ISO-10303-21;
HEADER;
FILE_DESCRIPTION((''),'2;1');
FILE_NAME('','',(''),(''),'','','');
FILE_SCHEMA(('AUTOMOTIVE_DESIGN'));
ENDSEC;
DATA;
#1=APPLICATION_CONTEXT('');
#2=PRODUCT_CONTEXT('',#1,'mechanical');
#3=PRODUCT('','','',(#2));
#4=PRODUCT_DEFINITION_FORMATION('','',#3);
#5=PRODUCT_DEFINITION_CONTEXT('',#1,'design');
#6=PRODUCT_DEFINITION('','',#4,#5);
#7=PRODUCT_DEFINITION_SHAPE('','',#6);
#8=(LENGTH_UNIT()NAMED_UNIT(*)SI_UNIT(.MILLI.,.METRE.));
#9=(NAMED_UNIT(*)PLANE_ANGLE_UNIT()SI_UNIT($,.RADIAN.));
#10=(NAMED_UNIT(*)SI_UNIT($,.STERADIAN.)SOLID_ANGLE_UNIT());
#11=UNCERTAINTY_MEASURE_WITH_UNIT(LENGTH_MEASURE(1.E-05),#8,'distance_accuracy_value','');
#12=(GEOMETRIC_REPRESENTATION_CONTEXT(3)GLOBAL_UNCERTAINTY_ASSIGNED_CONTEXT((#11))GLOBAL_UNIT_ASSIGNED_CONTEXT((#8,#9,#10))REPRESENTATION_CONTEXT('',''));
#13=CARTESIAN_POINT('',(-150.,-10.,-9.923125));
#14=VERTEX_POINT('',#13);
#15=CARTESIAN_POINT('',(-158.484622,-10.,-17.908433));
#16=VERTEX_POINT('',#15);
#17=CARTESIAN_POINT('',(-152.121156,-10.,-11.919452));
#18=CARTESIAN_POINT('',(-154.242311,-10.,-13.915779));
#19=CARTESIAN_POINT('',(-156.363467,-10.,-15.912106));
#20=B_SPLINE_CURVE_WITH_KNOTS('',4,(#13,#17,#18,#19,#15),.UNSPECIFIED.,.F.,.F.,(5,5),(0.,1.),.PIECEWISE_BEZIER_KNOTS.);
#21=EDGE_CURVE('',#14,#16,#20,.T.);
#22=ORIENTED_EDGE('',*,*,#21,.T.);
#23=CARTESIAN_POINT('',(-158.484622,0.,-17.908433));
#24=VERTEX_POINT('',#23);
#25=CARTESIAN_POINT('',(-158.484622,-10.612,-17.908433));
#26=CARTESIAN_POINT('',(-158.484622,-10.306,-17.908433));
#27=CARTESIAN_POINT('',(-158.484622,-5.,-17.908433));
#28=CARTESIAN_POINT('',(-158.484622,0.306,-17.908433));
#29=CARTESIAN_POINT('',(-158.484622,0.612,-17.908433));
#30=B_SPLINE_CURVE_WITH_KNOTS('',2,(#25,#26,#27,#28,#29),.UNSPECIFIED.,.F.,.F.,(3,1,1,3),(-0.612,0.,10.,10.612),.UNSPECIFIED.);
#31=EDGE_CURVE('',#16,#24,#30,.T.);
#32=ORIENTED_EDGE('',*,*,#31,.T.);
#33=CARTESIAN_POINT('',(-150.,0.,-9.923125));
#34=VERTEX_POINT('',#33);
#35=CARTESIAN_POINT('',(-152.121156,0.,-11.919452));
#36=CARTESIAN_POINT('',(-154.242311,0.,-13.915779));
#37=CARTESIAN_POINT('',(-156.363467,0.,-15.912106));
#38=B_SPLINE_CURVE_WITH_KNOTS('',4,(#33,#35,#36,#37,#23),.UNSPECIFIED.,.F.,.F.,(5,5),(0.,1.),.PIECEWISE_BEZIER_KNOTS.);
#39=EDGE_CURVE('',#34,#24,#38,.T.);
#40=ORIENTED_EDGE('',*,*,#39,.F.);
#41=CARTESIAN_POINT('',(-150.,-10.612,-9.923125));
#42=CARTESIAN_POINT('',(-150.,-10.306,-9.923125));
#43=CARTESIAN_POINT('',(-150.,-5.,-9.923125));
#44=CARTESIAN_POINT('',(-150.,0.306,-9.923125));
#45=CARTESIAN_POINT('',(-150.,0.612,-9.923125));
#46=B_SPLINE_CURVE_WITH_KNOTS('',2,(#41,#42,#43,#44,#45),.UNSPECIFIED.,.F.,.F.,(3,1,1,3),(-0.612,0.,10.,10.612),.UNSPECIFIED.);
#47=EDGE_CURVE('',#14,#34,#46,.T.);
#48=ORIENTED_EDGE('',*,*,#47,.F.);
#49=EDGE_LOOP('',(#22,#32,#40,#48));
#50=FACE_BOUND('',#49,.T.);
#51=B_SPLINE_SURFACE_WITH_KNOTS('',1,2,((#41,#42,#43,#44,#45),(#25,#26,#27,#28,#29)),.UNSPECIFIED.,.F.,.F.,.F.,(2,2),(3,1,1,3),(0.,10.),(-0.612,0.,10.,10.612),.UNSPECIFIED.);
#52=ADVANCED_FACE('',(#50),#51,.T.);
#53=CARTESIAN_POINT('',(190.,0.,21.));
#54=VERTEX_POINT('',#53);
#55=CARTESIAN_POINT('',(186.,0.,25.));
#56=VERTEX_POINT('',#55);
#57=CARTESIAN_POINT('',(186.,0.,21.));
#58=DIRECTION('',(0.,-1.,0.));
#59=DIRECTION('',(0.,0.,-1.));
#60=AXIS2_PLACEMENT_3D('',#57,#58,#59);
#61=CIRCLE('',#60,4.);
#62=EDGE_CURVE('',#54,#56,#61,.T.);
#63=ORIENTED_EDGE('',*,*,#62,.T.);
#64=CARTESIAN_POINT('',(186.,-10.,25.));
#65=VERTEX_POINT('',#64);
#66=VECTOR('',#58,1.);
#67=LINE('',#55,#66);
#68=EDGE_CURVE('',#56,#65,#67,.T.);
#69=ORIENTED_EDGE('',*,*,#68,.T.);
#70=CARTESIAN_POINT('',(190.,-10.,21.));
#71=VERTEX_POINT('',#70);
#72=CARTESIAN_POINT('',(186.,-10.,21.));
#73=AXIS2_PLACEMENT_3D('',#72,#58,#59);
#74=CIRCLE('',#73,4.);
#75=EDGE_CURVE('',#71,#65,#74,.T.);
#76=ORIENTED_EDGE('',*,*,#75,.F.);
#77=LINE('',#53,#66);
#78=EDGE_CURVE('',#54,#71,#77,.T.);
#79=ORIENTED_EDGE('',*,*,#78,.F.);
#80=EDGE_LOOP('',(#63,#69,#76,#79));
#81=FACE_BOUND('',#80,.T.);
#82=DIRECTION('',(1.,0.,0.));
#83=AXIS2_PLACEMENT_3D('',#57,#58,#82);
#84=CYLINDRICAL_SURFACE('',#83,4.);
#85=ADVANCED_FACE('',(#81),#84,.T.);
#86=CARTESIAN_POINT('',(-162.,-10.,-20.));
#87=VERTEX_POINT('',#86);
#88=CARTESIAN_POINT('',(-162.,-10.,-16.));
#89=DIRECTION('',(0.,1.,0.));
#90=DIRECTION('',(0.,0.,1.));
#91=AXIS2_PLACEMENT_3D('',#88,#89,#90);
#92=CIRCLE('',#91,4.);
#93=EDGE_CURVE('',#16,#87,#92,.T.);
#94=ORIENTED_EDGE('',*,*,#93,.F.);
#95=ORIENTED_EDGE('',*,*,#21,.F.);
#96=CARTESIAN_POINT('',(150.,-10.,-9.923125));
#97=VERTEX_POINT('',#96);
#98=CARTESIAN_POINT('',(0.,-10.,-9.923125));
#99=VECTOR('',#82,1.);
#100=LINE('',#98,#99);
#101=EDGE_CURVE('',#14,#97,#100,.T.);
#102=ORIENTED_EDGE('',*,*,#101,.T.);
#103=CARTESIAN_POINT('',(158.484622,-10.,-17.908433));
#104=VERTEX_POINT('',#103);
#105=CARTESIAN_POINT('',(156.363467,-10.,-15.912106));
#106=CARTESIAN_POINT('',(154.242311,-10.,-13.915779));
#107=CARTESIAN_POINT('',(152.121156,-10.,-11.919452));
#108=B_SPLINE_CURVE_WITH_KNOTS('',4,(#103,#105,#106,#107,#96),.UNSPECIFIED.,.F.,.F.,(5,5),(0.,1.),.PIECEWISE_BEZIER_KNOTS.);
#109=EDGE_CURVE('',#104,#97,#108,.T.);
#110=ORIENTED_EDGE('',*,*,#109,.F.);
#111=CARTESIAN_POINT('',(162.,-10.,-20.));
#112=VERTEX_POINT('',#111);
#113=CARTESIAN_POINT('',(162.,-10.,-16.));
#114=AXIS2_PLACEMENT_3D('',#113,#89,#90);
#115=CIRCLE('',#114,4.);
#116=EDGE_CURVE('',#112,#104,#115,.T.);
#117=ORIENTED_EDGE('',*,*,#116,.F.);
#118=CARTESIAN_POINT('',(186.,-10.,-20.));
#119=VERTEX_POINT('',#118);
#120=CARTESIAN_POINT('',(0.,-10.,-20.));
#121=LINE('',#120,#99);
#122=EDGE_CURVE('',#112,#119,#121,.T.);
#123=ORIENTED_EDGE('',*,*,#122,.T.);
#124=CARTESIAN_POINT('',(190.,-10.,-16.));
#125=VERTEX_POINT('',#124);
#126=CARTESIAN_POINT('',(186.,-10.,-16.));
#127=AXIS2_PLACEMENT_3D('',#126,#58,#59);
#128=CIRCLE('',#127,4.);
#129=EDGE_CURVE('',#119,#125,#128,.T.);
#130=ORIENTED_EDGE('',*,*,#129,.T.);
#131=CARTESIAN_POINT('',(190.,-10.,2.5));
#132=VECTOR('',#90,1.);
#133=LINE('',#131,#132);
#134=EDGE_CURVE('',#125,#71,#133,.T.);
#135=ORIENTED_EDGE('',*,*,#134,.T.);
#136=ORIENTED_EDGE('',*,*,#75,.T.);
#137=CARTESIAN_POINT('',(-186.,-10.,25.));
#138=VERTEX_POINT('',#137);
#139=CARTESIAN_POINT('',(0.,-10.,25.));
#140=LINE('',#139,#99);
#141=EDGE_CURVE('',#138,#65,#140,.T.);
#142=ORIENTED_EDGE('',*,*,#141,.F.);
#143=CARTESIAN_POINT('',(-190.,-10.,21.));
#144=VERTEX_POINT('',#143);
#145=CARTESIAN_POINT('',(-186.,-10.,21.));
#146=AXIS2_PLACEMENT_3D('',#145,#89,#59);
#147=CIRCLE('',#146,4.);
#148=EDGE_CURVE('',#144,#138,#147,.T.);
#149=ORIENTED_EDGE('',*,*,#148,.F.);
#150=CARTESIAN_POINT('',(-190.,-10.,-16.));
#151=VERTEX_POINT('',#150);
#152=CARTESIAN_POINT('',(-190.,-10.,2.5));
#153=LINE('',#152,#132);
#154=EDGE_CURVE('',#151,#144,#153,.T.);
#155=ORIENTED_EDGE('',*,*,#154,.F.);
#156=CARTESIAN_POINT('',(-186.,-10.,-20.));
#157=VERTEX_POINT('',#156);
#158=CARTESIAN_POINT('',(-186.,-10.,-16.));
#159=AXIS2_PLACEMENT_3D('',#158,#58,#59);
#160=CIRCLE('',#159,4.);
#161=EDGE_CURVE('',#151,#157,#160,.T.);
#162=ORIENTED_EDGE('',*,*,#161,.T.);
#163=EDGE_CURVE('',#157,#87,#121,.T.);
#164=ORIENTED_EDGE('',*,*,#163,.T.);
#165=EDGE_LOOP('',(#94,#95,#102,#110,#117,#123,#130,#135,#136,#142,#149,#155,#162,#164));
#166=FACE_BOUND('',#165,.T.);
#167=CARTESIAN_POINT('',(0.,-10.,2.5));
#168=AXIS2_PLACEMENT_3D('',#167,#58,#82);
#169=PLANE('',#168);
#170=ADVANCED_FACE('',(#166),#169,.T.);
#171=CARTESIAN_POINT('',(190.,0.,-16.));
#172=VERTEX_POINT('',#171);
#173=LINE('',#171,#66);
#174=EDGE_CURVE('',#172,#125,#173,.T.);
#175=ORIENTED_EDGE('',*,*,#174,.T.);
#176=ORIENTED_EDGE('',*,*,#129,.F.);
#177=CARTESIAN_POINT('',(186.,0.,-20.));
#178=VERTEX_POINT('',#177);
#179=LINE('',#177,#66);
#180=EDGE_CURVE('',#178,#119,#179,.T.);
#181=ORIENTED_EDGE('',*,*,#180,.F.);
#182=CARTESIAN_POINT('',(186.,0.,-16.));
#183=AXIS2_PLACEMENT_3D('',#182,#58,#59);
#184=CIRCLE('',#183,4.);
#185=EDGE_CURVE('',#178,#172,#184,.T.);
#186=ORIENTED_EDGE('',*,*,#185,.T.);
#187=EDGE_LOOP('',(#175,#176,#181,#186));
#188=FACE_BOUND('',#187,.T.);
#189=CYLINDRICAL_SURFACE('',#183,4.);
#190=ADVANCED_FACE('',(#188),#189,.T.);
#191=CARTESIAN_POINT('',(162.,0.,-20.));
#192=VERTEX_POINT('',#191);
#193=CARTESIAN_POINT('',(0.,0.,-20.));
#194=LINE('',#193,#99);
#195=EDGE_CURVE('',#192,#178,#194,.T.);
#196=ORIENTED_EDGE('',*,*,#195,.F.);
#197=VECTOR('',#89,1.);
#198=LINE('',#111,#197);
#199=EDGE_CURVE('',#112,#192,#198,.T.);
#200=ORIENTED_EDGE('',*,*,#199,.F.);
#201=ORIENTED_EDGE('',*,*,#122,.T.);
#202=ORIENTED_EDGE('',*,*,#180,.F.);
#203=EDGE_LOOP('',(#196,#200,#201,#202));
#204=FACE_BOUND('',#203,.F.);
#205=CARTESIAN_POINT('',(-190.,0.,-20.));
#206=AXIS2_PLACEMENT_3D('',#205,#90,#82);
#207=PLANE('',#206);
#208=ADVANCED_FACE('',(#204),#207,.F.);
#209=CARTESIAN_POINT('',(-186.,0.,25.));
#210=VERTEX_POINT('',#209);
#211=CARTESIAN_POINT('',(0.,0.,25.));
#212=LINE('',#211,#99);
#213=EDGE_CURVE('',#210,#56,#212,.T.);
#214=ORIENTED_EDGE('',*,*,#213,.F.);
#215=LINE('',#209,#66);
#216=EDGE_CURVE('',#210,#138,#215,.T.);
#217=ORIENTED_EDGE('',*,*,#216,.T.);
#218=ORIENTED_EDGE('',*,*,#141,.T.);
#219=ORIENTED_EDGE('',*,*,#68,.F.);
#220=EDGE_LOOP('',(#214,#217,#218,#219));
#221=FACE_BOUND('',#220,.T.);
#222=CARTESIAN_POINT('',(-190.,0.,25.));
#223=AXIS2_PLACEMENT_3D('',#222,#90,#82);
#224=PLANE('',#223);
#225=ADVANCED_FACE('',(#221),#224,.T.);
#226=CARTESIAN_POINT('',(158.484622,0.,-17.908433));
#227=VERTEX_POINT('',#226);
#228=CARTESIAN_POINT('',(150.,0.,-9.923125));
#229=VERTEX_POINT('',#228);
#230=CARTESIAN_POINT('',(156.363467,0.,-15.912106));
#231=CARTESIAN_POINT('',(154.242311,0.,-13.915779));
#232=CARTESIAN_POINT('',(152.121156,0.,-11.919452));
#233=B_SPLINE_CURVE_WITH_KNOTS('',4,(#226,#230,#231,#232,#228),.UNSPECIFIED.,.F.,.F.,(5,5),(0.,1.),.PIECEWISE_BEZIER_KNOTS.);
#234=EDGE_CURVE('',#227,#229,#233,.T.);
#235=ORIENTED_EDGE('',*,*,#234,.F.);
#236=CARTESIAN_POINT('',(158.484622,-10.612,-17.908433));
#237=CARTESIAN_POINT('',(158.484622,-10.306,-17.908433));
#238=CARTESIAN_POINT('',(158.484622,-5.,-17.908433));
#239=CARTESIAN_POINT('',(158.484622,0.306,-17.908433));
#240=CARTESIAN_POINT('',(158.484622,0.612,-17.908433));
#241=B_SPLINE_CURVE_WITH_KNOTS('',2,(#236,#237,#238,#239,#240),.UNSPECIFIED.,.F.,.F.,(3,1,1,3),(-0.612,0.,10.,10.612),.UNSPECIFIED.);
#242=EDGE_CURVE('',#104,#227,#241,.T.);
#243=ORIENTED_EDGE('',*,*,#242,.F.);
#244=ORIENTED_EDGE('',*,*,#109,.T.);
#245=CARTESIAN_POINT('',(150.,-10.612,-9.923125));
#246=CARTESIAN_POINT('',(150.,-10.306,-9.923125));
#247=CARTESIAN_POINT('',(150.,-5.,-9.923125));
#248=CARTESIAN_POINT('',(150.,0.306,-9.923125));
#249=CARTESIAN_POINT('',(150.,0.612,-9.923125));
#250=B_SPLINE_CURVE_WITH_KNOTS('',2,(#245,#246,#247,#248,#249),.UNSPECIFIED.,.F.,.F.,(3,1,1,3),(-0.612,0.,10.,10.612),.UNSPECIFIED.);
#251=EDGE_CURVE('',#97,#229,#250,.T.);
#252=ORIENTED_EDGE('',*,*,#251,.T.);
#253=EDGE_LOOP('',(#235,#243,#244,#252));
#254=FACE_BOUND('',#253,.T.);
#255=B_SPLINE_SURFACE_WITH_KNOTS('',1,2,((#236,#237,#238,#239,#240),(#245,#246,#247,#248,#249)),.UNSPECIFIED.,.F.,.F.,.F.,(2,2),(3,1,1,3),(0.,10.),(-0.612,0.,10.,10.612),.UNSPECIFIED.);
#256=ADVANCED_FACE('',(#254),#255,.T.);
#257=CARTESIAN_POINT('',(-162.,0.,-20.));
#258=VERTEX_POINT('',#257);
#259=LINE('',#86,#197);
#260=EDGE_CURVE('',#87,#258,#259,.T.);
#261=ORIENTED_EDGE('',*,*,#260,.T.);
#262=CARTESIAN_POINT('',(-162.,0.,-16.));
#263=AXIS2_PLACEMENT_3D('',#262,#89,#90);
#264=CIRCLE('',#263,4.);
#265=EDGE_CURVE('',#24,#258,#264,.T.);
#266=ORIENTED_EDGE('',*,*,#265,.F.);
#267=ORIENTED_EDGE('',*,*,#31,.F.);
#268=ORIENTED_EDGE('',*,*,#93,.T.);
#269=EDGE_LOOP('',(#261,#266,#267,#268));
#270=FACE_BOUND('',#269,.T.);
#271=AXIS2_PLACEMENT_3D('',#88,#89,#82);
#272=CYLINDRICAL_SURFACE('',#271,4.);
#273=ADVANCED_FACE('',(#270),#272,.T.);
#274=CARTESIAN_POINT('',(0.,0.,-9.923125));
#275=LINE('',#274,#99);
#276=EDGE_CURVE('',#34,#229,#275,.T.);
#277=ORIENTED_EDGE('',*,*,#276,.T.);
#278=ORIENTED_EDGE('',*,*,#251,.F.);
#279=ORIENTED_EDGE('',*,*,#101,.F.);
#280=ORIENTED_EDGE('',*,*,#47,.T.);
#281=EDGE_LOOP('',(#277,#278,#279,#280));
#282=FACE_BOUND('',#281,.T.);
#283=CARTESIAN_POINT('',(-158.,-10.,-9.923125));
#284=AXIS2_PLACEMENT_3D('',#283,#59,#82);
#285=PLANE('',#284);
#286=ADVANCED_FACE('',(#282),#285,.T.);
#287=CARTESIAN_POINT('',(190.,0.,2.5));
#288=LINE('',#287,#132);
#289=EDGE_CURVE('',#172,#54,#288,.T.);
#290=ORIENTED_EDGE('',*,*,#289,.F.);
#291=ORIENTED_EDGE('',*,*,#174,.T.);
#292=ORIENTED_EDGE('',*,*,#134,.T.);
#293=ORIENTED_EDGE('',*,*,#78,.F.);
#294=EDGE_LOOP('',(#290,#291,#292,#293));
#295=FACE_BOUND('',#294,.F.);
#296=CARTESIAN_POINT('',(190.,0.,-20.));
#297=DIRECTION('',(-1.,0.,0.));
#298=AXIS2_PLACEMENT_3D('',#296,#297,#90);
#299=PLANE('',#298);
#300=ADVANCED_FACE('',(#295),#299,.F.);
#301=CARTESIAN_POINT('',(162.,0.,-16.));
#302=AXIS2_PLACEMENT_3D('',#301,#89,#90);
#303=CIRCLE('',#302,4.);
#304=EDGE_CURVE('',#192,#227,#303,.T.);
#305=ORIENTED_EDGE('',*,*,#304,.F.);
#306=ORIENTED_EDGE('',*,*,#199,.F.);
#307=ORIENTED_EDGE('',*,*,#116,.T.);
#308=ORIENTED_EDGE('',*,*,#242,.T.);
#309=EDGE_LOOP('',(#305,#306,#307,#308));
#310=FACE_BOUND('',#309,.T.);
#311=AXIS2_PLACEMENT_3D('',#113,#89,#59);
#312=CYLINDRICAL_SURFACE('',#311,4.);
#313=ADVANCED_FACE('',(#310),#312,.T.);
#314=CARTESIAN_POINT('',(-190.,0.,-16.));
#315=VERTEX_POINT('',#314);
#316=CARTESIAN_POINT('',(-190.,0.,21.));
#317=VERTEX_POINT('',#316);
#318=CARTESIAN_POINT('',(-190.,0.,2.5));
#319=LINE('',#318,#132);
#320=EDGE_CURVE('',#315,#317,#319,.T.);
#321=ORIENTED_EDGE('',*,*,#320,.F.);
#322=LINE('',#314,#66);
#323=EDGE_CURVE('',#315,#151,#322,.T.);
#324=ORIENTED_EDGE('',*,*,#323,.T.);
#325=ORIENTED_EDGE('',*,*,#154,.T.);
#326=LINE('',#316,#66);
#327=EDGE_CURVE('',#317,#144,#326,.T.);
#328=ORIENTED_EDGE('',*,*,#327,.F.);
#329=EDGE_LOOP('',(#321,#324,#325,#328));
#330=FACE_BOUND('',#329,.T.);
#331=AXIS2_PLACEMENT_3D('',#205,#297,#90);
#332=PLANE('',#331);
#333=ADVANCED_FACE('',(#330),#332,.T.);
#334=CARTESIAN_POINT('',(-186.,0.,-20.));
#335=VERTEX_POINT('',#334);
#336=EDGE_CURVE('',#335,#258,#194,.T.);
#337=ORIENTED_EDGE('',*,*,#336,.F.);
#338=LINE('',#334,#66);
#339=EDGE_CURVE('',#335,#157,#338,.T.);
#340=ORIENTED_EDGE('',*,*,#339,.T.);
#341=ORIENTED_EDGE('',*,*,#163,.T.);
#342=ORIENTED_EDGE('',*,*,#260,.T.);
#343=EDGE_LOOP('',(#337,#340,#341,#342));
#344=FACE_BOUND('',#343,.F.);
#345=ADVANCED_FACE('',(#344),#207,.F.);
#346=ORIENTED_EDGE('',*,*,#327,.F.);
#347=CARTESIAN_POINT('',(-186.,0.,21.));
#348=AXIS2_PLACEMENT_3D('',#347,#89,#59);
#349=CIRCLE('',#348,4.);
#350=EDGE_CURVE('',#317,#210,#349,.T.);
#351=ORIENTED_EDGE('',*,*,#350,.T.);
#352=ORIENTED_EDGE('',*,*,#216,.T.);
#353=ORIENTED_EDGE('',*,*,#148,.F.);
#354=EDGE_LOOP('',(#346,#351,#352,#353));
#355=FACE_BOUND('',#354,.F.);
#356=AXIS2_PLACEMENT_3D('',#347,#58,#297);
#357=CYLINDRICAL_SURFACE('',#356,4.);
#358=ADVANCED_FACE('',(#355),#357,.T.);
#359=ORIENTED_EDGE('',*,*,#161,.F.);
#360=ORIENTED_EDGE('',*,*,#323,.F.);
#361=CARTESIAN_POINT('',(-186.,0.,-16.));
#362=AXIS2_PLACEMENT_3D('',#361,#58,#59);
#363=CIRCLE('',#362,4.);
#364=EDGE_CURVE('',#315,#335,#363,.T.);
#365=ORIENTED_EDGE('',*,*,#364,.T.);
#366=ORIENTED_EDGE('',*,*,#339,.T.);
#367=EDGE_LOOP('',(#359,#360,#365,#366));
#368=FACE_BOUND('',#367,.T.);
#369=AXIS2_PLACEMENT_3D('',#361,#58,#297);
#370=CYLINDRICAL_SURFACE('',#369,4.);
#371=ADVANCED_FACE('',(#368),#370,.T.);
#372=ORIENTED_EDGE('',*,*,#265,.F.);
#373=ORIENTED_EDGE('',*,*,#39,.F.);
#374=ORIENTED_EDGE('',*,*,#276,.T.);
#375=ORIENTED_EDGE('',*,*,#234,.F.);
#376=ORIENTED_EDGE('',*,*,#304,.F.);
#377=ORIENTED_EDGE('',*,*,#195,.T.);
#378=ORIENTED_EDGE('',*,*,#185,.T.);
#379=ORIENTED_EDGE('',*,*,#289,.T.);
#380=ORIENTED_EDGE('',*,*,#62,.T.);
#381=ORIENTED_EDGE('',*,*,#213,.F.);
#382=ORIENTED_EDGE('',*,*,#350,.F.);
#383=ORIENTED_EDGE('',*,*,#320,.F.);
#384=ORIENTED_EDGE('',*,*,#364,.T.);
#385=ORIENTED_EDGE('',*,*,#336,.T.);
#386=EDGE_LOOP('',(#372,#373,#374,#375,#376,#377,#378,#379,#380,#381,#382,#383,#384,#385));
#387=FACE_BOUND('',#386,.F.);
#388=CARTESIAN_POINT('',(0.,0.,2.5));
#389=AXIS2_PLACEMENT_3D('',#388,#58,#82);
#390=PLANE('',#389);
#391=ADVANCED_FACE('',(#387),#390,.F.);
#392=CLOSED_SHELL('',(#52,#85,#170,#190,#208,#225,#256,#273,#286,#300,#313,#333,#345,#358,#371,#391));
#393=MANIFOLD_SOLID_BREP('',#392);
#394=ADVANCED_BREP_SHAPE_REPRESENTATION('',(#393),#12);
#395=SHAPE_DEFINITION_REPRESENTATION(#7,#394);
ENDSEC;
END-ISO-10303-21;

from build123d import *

# Parameters (mm, degrees)
SKETCH_W     = 380
SKETCH_H     = 45
PAD_DEPTH    = 10
FILLET_R     = 4
SKETCH001_W  = 316
SKETCH001_H  = 14.743673
POCKET_DEPTH = 10
FILLET001_R  = 4
CHAMFER_SIZE = 8


with BuildPart() as part:
    # Sketch → Pad (new body)
    with BuildSketch(Plane.XZ):
        with Locations((0, 2.5)):
            Rectangle(SKETCH_W, SKETCH_H)
    extrude(amount=PAD_DEPTH)

    # Fillet
    fillet_edges = [part.edges().sort_by_distance(p)[0] for p in [
        (-190, -5, 25),
        (-190, -5, -20),
        (190, -5, -20),
        (190, -5, 25),
    ]]
    fillet(fillet_edges, radius=FILLET_R)

    # Sketch001 (on Face5 of Fillet) → Pocket (cut)
    with BuildSketch(Plane.XZ.offset(10)):
        with Locations((0, -17.294962)):
            Rectangle(SKETCH001_W, SKETCH001_H)
    extrude(amount=-POCKET_DEPTH, mode=Mode.SUBTRACT)

    # Fillet001
    fillet001_edges = [part.edges().sort_by_distance(p)[0] for p in [
        (-158, -5, -20),
        (158, -5, -20),
    ]]
    fillet(fillet001_edges, radius=FILLET001_R)

    # Chamfer
    chamfer_edges = [part.edges().sort_by_distance(p)[0] for p in [
        (-158, -5, -9.923126),
        (158, -5, -9.923126),
    ]]
    chamfer(chamfer_edges, length=CHAMFER_SIZE)


solid = part.part
